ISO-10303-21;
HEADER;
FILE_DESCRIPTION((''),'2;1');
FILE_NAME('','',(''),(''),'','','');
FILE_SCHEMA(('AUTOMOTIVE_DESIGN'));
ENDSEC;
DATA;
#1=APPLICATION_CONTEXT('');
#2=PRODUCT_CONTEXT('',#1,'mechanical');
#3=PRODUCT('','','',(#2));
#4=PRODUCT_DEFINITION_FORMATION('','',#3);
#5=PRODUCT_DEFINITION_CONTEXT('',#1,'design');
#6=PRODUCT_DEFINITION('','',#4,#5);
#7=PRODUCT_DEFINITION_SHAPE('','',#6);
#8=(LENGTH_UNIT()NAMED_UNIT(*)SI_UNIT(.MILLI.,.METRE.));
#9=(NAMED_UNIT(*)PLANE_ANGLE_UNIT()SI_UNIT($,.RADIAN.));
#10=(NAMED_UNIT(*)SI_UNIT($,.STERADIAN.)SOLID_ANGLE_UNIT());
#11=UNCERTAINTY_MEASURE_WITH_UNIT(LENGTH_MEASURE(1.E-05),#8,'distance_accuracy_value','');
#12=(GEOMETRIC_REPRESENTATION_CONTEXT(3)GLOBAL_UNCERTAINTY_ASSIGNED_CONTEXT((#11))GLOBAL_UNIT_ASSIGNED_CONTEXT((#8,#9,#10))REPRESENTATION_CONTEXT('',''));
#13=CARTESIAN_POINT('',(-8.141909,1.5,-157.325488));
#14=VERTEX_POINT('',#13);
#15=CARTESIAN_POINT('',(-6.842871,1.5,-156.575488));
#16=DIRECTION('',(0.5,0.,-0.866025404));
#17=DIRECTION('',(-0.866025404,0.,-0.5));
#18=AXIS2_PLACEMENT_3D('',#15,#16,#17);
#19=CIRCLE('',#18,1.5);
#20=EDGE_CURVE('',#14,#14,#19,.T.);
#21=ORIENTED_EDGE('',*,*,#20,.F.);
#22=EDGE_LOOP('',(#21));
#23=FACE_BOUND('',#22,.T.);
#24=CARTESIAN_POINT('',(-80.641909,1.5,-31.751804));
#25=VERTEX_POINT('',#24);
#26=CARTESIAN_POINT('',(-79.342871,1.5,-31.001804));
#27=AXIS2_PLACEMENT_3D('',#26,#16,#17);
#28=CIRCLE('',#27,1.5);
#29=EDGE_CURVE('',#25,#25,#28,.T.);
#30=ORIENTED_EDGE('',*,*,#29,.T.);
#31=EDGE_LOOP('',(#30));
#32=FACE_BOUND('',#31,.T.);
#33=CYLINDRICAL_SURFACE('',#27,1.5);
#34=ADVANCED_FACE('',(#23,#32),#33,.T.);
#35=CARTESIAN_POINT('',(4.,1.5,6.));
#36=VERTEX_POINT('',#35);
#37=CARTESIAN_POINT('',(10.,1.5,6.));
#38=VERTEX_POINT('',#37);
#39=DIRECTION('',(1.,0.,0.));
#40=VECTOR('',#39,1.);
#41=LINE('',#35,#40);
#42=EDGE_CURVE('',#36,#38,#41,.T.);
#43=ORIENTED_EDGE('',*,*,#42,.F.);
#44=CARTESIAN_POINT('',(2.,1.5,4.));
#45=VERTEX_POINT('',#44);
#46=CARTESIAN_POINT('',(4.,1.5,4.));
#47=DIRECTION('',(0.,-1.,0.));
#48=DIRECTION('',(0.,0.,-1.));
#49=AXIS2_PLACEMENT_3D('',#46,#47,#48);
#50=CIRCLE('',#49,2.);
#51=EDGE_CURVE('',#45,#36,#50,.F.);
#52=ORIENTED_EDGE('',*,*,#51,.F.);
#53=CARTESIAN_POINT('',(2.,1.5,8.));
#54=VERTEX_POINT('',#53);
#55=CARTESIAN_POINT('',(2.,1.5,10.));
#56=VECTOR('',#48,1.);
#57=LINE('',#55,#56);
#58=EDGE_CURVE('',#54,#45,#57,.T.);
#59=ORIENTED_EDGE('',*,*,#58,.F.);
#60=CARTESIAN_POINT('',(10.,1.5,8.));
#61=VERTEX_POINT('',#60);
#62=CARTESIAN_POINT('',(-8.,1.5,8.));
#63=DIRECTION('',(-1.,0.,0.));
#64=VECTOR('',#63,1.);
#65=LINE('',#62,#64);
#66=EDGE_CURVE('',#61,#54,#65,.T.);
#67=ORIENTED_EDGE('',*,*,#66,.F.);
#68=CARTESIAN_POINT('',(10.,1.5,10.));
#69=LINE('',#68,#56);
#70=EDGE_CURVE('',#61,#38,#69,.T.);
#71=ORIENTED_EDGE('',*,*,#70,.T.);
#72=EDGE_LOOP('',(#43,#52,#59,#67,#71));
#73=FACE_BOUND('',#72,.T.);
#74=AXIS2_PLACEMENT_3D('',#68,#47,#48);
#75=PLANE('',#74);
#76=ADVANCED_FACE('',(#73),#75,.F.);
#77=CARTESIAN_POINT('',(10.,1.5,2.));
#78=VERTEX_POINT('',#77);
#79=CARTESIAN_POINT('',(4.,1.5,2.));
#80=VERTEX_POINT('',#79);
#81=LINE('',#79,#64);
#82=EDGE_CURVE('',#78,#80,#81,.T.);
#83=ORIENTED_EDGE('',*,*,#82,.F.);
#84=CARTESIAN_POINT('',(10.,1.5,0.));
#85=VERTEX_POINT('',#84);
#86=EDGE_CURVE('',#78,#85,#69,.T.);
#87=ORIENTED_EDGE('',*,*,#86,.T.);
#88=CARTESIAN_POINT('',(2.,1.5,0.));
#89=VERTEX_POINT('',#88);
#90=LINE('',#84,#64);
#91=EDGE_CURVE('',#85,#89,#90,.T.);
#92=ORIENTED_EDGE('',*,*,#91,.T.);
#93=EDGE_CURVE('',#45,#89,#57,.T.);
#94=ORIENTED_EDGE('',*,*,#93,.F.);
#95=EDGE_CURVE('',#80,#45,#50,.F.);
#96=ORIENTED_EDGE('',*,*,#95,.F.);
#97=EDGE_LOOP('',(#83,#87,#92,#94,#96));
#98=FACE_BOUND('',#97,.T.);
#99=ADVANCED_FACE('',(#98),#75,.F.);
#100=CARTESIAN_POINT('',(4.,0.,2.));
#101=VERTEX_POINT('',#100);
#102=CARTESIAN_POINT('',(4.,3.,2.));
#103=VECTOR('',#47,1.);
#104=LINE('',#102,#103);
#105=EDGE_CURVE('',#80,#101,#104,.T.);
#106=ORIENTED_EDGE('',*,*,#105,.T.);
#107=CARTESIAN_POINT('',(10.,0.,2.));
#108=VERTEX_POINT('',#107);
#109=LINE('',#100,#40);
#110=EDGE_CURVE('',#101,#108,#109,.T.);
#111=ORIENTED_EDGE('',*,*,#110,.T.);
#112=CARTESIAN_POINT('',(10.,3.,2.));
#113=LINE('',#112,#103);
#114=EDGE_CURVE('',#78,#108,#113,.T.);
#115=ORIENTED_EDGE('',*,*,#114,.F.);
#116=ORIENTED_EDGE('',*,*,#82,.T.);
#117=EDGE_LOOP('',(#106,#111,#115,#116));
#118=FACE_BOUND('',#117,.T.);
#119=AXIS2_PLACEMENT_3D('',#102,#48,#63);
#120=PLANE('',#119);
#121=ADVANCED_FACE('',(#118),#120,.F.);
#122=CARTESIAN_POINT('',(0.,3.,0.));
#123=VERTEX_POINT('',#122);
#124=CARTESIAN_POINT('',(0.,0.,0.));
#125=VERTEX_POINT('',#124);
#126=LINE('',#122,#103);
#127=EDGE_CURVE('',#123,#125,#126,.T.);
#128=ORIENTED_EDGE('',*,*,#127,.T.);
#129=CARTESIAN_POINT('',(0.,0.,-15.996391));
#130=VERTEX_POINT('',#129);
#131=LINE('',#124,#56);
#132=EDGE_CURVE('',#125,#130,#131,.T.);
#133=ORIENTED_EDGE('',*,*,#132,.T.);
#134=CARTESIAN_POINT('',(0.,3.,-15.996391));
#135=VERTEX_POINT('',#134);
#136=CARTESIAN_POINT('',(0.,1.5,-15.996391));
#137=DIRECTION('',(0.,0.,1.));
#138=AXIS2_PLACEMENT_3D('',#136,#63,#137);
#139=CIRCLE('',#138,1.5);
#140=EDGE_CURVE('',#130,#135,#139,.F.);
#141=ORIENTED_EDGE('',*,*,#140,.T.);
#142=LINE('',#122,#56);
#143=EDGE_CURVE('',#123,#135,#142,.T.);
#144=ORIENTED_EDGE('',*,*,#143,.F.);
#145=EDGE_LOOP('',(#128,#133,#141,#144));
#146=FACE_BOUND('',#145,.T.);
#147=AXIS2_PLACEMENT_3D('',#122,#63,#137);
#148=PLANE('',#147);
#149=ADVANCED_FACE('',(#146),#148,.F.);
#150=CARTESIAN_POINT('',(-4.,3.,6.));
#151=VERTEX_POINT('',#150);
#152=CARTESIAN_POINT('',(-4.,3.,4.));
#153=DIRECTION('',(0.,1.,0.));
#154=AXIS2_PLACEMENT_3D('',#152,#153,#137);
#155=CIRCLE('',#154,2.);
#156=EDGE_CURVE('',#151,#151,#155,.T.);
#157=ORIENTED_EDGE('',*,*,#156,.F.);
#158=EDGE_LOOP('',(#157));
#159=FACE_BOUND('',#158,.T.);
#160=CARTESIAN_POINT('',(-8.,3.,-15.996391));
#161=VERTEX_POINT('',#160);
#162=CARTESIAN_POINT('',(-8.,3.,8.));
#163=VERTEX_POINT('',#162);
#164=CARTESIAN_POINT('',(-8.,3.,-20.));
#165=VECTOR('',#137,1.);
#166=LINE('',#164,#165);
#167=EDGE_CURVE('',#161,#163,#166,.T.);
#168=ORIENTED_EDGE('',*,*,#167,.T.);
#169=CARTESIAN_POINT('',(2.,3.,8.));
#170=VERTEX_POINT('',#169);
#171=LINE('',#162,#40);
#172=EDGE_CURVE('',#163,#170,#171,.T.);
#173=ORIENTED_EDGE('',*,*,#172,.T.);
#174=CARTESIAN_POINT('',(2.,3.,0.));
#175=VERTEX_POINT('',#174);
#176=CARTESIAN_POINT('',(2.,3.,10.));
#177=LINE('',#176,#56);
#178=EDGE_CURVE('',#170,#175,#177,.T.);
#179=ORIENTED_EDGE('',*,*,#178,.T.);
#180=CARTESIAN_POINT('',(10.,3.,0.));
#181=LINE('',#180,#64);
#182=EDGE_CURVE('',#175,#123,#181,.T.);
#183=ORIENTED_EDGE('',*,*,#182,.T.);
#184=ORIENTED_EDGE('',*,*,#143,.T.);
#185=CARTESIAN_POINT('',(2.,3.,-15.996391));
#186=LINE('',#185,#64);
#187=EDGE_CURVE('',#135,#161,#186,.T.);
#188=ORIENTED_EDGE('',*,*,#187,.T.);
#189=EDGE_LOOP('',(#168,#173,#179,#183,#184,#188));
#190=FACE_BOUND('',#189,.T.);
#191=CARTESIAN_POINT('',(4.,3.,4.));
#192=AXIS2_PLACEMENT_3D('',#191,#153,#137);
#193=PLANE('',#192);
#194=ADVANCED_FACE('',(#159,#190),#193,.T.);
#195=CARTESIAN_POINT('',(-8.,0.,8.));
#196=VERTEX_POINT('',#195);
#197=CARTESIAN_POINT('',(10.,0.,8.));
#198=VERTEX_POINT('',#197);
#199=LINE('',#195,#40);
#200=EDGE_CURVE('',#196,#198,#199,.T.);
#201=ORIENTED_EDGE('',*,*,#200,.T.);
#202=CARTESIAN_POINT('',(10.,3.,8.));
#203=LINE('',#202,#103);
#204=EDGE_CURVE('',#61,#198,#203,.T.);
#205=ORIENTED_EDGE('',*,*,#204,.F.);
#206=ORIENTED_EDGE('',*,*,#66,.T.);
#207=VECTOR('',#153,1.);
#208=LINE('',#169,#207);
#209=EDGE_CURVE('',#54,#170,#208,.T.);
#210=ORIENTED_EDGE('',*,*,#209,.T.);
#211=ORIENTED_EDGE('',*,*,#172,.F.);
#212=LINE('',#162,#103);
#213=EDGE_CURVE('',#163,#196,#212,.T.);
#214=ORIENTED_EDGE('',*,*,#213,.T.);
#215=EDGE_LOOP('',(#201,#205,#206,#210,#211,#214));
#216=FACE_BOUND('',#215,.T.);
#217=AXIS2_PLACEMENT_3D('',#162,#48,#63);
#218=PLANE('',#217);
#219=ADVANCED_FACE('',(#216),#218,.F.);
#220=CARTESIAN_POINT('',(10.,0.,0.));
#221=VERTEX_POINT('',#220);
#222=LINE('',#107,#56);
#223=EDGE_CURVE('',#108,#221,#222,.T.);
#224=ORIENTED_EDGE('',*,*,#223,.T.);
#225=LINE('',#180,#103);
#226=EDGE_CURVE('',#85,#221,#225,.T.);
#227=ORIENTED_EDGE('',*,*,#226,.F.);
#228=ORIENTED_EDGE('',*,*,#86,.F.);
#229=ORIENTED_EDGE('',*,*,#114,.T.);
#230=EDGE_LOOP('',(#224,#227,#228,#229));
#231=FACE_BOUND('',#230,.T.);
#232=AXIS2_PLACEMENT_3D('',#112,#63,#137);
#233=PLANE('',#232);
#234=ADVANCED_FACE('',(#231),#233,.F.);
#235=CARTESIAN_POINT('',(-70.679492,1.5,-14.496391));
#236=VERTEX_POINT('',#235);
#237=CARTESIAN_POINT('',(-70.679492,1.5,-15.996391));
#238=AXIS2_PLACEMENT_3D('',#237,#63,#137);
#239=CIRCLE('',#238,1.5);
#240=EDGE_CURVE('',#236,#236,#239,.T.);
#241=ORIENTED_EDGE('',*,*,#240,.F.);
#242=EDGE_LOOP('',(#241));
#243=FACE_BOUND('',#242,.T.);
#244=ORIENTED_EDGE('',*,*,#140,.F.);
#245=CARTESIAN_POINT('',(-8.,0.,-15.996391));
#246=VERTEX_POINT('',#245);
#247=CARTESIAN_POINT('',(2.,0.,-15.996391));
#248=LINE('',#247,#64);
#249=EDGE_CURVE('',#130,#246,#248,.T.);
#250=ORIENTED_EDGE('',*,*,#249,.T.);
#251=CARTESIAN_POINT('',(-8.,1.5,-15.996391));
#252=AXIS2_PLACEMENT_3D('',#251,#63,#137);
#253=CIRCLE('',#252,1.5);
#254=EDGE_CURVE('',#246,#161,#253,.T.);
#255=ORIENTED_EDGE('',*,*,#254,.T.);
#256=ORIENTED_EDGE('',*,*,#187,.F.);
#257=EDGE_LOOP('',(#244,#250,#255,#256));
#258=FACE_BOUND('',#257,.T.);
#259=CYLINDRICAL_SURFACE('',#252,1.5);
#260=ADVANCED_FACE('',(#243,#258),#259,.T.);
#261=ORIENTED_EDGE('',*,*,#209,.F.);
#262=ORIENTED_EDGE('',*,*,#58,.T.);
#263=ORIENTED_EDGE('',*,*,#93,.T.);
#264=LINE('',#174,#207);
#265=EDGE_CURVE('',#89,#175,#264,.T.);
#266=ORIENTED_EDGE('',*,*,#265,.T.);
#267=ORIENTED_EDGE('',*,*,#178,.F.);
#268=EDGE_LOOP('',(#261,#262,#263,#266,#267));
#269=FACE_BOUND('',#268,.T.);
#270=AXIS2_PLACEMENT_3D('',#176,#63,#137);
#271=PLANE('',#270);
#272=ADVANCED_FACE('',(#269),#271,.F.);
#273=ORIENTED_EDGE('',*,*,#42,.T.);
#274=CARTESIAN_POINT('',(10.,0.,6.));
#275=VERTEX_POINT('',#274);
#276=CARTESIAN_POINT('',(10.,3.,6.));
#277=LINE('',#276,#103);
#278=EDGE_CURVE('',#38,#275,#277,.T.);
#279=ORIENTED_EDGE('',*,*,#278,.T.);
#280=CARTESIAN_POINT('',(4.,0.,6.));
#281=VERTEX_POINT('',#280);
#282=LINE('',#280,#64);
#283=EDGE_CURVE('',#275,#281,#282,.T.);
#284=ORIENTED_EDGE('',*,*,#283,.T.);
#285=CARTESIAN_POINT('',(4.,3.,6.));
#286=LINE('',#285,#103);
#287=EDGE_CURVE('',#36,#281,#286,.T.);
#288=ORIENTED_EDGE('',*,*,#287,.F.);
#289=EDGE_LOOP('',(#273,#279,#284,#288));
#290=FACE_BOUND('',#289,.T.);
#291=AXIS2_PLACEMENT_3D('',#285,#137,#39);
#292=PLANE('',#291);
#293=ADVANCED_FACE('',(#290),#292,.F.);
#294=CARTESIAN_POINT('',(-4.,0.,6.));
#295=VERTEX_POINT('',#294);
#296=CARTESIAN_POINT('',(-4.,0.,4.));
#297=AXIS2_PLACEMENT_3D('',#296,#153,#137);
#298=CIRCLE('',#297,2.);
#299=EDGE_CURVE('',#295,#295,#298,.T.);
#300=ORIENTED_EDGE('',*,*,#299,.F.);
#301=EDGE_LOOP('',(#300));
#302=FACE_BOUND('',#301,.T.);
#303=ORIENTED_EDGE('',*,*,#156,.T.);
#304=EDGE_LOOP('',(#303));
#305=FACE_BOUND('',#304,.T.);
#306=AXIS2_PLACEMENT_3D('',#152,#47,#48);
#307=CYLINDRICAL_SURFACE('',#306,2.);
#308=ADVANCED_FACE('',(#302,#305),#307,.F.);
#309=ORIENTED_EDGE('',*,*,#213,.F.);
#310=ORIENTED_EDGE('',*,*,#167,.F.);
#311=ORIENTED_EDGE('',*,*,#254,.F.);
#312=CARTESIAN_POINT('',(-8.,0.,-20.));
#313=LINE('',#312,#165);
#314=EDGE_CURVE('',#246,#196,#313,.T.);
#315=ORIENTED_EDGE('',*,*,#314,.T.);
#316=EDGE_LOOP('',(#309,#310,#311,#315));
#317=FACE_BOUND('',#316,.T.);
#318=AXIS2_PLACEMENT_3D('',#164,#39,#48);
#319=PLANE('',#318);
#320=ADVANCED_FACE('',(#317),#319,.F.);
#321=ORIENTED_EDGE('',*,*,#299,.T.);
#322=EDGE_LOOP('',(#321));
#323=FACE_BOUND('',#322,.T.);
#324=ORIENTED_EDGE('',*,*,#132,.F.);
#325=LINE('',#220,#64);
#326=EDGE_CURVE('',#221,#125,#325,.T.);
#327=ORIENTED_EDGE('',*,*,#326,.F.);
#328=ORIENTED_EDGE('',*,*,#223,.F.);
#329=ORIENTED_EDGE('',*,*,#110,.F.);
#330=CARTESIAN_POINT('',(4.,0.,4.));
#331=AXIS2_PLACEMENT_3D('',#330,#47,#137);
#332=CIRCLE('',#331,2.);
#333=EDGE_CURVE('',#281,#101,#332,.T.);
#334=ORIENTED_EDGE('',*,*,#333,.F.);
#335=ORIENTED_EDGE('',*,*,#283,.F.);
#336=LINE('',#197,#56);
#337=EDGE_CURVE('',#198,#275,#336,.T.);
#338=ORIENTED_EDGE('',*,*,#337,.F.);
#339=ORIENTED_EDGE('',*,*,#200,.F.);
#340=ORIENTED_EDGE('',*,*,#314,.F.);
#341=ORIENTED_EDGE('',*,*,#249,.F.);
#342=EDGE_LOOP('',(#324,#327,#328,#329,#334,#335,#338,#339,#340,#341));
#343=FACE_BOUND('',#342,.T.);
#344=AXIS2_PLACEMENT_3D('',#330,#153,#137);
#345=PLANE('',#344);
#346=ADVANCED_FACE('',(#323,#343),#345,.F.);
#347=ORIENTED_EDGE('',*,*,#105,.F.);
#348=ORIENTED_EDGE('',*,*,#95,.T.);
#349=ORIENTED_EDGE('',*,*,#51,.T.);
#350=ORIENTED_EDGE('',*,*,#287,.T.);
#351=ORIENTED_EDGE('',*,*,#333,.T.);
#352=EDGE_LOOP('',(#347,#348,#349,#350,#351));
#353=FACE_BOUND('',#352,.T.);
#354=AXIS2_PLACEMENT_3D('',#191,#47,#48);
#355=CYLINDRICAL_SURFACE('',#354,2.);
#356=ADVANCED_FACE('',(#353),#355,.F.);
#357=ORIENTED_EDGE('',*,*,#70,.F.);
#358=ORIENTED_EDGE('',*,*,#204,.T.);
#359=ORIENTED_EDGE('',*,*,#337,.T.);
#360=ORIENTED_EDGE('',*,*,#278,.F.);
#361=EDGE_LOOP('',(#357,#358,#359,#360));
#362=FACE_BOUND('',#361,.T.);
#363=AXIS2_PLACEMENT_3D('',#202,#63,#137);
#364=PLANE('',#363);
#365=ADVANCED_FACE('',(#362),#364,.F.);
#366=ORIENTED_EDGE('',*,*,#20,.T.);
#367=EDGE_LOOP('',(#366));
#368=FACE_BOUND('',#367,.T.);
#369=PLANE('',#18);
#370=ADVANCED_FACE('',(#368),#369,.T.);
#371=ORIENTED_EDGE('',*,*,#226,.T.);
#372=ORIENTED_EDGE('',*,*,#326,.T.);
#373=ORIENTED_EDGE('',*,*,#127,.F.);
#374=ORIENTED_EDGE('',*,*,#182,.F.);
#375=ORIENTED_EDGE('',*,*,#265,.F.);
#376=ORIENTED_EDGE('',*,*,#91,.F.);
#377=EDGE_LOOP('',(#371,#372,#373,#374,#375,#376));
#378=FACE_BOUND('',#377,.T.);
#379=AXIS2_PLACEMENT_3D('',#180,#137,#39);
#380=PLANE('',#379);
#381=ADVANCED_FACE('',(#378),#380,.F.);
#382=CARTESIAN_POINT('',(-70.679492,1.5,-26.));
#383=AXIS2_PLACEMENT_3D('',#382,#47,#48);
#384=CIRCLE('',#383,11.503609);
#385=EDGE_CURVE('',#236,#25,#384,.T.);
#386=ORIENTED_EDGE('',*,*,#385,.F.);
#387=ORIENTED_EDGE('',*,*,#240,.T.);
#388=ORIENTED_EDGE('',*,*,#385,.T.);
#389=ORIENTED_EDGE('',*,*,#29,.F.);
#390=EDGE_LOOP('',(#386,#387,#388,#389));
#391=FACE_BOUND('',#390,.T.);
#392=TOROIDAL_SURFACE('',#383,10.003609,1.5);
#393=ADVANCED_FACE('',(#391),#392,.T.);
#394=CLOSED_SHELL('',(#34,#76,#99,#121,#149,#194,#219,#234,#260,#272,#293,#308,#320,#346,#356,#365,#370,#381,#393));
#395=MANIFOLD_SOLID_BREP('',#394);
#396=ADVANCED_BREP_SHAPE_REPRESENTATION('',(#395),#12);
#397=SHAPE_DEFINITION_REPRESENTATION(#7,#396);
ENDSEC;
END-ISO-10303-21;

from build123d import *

# Parameters (mm, degrees)
SKETCH1_R           = 2
BOSS_EXTRUDE1_DEPTH = 3
SKETCH3_R           = 1.5
SKETCH4_W           = 8
SKETCH4_H           = 1.5
CUT_EXTRUDE1_DEPTH  = 10
CUT_EXTRUDE2_DEPTH  = 10


with BuildPart() as part:
    # Sketch1 → Boss-Extrude1 (new body)
    with BuildSketch(Plane(origin=(0, 0, 0), x_dir=(1, 0, 0), z_dir=(0, 1, 0))):
        with BuildLine():
            Line((0, 0), (0, 20))
            Line((0, 20), (-8, 20))
            Line((-8, 20), (-8, -8))
            Line((-8, -8), (10, -8))
            Line((10, -8), (10, -6))
            Line((10, -6), (4, -6))
            ThreePointArc((4, -6), (2, -4), (4, -2))
            Line((4, -2), (10, -2))
            Line((10, -2), (10, 0))
            Line((10, 0), (0, 0))
        make_face()
        with Locations((-4, -4)):
            Circle(SKETCH1_R, mode=Mode.SUBTRACT)
    extrude(amount=BOSS_EXTRUDE1_DEPTH)

    # Sweep1: sweep along a path in Sketch2
    with BuildLine(Plane(origin=(0, 1.5, 0), x_dir=(1, 0, 0), z_dir=(0, 1, 0))) as sweep1_path:
        Line((-8, 16), (-70.679491924, 16))
        ThreePointArc((-70.679491924, 16), (-79.339745962, 21), (-79.339745962, 31))
        Line((-79.339745962, 31), (-6.839745962, 156.573683549))
    # Sketch3 → Sweep1 (sweep)
    with BuildSketch(Plane.ZY.offset(8)):
        with Locations((-15.996391196, 1.5)):
            Circle(SKETCH3_R)
    sweep(path=sweep1_path.line)

    # Sketch4 → Cut-Extrude1 (cut)
    with BuildSketch(Plane(origin=(0, 0, 0), x_dir=(-1, 0, 0), z_dir=(0, 0, -1))):
        with Locations((-6, 2.25)):
            Rectangle(SKETCH4_W, SKETCH4_H)
    extrude(amount=-CUT_EXTRUDE1_DEPTH, mode=Mode.SUBTRACT)

    # Sketch5 → Cut-Extrude2 (cut)
    with BuildSketch(Plane.ZY.offset(8)):
        with BuildLine():
            Line((-15.996391196, 3), (-20, 3))
            Line((-20, 3), (-20, 0))
            Line((-20, 0), (-15.996391196, 0))
            ThreePointArc((-15.996391196, 0), (-17.496391196, 1.5), (-15.996391196, 3))
        make_face()
    extrude(amount=-CUT_EXTRUDE2_DEPTH, mode=Mode.SUBTRACT)


solid = part.part
